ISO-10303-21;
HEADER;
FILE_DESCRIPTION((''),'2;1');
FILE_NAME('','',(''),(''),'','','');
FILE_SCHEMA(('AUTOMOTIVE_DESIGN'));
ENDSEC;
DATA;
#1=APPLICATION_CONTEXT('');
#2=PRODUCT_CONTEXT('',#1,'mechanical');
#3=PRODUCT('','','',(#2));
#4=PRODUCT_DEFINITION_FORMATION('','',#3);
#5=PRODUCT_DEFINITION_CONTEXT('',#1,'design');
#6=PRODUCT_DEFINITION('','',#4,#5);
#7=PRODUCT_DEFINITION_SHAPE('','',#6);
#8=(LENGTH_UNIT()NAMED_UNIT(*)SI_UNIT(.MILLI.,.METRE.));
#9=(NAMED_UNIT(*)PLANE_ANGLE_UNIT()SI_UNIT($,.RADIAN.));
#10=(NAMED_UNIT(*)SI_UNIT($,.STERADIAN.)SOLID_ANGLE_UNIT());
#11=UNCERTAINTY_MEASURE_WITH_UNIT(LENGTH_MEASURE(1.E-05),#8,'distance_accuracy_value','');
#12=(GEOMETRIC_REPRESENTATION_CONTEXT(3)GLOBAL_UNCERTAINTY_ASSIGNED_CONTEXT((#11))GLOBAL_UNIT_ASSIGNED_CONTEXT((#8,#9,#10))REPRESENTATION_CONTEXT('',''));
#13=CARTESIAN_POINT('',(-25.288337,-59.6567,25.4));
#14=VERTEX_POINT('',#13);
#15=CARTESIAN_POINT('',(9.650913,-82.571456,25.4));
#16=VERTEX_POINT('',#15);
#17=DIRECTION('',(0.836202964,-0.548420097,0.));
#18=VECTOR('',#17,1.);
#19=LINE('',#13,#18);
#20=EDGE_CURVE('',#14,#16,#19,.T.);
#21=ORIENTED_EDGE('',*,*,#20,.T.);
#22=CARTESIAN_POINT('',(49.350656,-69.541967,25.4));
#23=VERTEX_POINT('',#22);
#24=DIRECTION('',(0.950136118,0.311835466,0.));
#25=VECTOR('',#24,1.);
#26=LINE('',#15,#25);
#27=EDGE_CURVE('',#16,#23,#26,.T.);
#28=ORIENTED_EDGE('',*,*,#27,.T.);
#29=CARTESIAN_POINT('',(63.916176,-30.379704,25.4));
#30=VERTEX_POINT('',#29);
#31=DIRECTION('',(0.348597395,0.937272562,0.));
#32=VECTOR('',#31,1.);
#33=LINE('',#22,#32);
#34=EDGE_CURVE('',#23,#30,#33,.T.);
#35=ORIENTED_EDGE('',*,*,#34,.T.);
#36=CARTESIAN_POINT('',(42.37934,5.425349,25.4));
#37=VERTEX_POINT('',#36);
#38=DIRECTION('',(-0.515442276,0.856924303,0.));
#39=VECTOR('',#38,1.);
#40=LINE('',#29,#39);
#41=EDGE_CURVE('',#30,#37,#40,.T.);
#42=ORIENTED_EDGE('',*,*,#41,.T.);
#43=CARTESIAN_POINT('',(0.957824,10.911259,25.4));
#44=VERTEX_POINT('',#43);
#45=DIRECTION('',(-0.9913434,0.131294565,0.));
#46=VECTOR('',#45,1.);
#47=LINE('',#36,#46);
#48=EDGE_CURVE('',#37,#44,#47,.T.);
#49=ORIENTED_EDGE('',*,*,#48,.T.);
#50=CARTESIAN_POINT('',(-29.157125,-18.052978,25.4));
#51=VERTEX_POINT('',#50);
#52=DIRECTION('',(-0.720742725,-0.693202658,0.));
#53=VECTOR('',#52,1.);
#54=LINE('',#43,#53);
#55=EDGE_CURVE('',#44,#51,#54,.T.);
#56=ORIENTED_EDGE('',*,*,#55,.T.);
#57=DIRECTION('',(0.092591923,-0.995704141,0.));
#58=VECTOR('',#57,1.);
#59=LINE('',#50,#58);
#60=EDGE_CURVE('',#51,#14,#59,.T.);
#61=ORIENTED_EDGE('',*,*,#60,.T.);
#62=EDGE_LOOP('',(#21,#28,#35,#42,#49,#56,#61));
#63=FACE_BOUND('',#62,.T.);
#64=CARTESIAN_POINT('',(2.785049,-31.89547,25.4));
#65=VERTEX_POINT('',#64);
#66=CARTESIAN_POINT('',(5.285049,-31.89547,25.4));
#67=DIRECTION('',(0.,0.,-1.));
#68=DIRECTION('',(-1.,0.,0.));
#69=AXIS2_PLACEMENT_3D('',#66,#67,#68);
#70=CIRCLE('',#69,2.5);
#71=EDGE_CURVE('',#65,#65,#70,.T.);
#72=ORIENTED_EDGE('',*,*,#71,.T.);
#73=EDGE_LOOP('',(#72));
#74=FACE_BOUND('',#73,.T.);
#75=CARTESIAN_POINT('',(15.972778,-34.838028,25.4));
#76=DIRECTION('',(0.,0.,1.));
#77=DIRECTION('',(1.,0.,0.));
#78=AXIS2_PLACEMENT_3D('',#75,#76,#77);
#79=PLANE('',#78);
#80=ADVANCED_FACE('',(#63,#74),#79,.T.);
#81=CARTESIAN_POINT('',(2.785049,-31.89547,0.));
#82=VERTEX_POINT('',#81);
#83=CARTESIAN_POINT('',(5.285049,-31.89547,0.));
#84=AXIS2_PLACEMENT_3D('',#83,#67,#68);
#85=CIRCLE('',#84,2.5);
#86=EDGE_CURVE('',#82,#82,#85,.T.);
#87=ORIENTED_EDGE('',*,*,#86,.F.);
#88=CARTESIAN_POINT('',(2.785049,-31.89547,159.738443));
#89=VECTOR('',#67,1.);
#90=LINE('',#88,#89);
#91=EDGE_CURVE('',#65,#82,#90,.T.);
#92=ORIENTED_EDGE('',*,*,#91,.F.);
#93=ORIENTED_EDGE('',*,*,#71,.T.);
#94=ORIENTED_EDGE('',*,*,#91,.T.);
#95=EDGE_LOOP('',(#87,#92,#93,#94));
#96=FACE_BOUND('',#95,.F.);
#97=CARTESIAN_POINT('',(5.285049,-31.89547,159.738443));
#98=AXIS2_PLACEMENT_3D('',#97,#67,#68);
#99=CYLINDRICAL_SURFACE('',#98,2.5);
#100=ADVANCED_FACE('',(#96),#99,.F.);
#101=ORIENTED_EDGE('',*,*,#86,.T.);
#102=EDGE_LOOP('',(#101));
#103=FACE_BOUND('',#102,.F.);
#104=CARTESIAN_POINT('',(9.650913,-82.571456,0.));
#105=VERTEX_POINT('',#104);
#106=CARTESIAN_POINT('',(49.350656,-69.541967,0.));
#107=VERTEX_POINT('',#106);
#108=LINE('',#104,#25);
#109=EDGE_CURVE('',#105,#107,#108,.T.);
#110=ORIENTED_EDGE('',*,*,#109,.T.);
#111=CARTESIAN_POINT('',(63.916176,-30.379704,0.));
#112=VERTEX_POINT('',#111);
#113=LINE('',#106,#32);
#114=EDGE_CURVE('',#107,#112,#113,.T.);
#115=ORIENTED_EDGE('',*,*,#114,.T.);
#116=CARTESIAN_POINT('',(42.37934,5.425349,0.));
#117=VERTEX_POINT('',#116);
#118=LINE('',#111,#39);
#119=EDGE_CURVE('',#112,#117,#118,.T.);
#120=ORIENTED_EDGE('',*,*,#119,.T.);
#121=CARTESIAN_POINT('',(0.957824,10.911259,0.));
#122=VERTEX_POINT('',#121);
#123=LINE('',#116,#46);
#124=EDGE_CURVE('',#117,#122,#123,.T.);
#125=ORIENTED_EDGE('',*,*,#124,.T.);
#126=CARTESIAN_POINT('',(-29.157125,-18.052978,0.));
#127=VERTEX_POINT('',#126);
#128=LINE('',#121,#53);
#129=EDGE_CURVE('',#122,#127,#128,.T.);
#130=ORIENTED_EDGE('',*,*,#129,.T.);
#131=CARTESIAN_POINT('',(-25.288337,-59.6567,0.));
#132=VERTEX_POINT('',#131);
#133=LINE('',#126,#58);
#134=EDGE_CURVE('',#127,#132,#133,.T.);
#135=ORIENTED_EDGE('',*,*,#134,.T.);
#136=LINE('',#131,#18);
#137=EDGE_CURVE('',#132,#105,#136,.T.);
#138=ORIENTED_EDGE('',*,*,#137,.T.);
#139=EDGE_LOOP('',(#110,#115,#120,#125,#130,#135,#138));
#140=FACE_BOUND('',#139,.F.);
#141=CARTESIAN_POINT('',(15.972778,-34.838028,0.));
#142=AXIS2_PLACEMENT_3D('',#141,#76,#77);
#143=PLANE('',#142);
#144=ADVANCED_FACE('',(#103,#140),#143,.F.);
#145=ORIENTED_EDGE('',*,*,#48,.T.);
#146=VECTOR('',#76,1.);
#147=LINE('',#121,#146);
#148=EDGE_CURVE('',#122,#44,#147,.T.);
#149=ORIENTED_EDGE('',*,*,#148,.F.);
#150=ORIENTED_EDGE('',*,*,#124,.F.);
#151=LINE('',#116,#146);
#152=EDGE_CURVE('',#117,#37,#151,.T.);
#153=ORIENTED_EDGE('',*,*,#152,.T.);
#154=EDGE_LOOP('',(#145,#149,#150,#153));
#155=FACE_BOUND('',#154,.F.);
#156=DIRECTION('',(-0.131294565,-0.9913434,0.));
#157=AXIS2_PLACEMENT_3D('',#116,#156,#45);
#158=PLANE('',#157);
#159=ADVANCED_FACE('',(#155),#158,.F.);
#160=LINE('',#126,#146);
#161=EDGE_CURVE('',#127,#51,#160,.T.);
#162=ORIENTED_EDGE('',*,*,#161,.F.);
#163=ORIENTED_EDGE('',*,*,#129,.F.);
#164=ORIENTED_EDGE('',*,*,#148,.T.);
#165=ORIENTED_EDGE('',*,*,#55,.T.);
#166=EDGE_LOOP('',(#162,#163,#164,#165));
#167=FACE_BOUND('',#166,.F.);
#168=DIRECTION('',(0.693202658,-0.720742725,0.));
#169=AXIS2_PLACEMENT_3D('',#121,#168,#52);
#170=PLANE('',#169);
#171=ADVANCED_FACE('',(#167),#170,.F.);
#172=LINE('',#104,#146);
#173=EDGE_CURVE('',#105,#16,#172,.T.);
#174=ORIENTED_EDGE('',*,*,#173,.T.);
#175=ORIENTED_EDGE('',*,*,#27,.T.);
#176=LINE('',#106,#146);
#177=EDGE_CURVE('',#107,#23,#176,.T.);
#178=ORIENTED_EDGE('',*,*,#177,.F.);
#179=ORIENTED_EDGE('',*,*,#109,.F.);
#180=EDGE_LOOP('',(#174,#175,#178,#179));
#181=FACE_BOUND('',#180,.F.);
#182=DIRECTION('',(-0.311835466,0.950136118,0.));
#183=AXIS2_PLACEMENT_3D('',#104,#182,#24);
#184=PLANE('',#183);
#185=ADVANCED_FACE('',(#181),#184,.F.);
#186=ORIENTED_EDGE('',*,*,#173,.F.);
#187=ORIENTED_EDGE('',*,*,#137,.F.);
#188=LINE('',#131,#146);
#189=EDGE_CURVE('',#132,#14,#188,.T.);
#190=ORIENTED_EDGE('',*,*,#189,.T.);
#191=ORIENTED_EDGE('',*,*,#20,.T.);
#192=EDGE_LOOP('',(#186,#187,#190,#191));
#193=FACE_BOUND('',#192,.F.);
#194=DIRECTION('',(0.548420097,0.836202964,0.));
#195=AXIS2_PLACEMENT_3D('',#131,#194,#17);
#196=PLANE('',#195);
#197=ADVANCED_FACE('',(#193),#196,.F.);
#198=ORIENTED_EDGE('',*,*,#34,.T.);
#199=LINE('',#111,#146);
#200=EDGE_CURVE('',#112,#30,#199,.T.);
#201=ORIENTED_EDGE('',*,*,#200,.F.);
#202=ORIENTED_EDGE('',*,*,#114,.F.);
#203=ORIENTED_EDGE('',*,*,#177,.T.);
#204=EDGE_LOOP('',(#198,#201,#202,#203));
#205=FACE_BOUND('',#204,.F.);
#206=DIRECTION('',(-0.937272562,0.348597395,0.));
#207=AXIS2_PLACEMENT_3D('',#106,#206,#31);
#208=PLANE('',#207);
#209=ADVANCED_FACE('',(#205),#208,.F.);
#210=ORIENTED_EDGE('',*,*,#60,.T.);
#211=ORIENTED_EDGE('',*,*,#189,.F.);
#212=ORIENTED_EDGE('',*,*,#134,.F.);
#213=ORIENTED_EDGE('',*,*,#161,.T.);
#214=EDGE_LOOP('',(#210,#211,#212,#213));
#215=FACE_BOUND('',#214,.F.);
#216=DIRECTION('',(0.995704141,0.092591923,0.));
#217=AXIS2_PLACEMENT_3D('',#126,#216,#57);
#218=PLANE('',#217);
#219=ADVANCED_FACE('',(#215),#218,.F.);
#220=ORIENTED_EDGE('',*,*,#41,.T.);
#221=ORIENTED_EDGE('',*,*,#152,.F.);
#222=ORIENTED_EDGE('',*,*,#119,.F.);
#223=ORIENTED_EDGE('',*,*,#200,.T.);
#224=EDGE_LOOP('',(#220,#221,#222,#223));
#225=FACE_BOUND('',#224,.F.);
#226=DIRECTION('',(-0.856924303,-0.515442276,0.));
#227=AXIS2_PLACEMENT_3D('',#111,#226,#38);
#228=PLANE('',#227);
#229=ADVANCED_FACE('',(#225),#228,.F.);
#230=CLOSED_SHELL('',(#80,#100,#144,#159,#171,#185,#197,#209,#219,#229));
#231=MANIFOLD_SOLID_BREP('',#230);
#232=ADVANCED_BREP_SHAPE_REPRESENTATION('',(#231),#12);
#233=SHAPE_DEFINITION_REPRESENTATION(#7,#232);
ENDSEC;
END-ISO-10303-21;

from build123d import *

# Parameters (mm, degrees)
F1_DEPTH = 25.4
F3_D     = 5


with BuildPart() as f1:
    # F0 (on Top) → F1 (new body)
    with BuildSketch(Plane.XY):
        Polygon((9.6509127394, -82.5714557813), (49.3506559654, -69.5419669702), (63.9161764502, -30.379704473), (42.3793401864, 5.4253492852), (0.9578241519, 10.9112585346), (-29.1571252343, -18.0529782818), (-25.2883368514, -59.6567000784), align=None)
    extrude(amount=F1_DEPTH)

    # F3 (through all)
    with Locations(Plane.XY.offset(25.4)):
        with Locations((5.285049323, -31.8954698741)):
            Hole(F3_D / 2)


solid = f1.part
